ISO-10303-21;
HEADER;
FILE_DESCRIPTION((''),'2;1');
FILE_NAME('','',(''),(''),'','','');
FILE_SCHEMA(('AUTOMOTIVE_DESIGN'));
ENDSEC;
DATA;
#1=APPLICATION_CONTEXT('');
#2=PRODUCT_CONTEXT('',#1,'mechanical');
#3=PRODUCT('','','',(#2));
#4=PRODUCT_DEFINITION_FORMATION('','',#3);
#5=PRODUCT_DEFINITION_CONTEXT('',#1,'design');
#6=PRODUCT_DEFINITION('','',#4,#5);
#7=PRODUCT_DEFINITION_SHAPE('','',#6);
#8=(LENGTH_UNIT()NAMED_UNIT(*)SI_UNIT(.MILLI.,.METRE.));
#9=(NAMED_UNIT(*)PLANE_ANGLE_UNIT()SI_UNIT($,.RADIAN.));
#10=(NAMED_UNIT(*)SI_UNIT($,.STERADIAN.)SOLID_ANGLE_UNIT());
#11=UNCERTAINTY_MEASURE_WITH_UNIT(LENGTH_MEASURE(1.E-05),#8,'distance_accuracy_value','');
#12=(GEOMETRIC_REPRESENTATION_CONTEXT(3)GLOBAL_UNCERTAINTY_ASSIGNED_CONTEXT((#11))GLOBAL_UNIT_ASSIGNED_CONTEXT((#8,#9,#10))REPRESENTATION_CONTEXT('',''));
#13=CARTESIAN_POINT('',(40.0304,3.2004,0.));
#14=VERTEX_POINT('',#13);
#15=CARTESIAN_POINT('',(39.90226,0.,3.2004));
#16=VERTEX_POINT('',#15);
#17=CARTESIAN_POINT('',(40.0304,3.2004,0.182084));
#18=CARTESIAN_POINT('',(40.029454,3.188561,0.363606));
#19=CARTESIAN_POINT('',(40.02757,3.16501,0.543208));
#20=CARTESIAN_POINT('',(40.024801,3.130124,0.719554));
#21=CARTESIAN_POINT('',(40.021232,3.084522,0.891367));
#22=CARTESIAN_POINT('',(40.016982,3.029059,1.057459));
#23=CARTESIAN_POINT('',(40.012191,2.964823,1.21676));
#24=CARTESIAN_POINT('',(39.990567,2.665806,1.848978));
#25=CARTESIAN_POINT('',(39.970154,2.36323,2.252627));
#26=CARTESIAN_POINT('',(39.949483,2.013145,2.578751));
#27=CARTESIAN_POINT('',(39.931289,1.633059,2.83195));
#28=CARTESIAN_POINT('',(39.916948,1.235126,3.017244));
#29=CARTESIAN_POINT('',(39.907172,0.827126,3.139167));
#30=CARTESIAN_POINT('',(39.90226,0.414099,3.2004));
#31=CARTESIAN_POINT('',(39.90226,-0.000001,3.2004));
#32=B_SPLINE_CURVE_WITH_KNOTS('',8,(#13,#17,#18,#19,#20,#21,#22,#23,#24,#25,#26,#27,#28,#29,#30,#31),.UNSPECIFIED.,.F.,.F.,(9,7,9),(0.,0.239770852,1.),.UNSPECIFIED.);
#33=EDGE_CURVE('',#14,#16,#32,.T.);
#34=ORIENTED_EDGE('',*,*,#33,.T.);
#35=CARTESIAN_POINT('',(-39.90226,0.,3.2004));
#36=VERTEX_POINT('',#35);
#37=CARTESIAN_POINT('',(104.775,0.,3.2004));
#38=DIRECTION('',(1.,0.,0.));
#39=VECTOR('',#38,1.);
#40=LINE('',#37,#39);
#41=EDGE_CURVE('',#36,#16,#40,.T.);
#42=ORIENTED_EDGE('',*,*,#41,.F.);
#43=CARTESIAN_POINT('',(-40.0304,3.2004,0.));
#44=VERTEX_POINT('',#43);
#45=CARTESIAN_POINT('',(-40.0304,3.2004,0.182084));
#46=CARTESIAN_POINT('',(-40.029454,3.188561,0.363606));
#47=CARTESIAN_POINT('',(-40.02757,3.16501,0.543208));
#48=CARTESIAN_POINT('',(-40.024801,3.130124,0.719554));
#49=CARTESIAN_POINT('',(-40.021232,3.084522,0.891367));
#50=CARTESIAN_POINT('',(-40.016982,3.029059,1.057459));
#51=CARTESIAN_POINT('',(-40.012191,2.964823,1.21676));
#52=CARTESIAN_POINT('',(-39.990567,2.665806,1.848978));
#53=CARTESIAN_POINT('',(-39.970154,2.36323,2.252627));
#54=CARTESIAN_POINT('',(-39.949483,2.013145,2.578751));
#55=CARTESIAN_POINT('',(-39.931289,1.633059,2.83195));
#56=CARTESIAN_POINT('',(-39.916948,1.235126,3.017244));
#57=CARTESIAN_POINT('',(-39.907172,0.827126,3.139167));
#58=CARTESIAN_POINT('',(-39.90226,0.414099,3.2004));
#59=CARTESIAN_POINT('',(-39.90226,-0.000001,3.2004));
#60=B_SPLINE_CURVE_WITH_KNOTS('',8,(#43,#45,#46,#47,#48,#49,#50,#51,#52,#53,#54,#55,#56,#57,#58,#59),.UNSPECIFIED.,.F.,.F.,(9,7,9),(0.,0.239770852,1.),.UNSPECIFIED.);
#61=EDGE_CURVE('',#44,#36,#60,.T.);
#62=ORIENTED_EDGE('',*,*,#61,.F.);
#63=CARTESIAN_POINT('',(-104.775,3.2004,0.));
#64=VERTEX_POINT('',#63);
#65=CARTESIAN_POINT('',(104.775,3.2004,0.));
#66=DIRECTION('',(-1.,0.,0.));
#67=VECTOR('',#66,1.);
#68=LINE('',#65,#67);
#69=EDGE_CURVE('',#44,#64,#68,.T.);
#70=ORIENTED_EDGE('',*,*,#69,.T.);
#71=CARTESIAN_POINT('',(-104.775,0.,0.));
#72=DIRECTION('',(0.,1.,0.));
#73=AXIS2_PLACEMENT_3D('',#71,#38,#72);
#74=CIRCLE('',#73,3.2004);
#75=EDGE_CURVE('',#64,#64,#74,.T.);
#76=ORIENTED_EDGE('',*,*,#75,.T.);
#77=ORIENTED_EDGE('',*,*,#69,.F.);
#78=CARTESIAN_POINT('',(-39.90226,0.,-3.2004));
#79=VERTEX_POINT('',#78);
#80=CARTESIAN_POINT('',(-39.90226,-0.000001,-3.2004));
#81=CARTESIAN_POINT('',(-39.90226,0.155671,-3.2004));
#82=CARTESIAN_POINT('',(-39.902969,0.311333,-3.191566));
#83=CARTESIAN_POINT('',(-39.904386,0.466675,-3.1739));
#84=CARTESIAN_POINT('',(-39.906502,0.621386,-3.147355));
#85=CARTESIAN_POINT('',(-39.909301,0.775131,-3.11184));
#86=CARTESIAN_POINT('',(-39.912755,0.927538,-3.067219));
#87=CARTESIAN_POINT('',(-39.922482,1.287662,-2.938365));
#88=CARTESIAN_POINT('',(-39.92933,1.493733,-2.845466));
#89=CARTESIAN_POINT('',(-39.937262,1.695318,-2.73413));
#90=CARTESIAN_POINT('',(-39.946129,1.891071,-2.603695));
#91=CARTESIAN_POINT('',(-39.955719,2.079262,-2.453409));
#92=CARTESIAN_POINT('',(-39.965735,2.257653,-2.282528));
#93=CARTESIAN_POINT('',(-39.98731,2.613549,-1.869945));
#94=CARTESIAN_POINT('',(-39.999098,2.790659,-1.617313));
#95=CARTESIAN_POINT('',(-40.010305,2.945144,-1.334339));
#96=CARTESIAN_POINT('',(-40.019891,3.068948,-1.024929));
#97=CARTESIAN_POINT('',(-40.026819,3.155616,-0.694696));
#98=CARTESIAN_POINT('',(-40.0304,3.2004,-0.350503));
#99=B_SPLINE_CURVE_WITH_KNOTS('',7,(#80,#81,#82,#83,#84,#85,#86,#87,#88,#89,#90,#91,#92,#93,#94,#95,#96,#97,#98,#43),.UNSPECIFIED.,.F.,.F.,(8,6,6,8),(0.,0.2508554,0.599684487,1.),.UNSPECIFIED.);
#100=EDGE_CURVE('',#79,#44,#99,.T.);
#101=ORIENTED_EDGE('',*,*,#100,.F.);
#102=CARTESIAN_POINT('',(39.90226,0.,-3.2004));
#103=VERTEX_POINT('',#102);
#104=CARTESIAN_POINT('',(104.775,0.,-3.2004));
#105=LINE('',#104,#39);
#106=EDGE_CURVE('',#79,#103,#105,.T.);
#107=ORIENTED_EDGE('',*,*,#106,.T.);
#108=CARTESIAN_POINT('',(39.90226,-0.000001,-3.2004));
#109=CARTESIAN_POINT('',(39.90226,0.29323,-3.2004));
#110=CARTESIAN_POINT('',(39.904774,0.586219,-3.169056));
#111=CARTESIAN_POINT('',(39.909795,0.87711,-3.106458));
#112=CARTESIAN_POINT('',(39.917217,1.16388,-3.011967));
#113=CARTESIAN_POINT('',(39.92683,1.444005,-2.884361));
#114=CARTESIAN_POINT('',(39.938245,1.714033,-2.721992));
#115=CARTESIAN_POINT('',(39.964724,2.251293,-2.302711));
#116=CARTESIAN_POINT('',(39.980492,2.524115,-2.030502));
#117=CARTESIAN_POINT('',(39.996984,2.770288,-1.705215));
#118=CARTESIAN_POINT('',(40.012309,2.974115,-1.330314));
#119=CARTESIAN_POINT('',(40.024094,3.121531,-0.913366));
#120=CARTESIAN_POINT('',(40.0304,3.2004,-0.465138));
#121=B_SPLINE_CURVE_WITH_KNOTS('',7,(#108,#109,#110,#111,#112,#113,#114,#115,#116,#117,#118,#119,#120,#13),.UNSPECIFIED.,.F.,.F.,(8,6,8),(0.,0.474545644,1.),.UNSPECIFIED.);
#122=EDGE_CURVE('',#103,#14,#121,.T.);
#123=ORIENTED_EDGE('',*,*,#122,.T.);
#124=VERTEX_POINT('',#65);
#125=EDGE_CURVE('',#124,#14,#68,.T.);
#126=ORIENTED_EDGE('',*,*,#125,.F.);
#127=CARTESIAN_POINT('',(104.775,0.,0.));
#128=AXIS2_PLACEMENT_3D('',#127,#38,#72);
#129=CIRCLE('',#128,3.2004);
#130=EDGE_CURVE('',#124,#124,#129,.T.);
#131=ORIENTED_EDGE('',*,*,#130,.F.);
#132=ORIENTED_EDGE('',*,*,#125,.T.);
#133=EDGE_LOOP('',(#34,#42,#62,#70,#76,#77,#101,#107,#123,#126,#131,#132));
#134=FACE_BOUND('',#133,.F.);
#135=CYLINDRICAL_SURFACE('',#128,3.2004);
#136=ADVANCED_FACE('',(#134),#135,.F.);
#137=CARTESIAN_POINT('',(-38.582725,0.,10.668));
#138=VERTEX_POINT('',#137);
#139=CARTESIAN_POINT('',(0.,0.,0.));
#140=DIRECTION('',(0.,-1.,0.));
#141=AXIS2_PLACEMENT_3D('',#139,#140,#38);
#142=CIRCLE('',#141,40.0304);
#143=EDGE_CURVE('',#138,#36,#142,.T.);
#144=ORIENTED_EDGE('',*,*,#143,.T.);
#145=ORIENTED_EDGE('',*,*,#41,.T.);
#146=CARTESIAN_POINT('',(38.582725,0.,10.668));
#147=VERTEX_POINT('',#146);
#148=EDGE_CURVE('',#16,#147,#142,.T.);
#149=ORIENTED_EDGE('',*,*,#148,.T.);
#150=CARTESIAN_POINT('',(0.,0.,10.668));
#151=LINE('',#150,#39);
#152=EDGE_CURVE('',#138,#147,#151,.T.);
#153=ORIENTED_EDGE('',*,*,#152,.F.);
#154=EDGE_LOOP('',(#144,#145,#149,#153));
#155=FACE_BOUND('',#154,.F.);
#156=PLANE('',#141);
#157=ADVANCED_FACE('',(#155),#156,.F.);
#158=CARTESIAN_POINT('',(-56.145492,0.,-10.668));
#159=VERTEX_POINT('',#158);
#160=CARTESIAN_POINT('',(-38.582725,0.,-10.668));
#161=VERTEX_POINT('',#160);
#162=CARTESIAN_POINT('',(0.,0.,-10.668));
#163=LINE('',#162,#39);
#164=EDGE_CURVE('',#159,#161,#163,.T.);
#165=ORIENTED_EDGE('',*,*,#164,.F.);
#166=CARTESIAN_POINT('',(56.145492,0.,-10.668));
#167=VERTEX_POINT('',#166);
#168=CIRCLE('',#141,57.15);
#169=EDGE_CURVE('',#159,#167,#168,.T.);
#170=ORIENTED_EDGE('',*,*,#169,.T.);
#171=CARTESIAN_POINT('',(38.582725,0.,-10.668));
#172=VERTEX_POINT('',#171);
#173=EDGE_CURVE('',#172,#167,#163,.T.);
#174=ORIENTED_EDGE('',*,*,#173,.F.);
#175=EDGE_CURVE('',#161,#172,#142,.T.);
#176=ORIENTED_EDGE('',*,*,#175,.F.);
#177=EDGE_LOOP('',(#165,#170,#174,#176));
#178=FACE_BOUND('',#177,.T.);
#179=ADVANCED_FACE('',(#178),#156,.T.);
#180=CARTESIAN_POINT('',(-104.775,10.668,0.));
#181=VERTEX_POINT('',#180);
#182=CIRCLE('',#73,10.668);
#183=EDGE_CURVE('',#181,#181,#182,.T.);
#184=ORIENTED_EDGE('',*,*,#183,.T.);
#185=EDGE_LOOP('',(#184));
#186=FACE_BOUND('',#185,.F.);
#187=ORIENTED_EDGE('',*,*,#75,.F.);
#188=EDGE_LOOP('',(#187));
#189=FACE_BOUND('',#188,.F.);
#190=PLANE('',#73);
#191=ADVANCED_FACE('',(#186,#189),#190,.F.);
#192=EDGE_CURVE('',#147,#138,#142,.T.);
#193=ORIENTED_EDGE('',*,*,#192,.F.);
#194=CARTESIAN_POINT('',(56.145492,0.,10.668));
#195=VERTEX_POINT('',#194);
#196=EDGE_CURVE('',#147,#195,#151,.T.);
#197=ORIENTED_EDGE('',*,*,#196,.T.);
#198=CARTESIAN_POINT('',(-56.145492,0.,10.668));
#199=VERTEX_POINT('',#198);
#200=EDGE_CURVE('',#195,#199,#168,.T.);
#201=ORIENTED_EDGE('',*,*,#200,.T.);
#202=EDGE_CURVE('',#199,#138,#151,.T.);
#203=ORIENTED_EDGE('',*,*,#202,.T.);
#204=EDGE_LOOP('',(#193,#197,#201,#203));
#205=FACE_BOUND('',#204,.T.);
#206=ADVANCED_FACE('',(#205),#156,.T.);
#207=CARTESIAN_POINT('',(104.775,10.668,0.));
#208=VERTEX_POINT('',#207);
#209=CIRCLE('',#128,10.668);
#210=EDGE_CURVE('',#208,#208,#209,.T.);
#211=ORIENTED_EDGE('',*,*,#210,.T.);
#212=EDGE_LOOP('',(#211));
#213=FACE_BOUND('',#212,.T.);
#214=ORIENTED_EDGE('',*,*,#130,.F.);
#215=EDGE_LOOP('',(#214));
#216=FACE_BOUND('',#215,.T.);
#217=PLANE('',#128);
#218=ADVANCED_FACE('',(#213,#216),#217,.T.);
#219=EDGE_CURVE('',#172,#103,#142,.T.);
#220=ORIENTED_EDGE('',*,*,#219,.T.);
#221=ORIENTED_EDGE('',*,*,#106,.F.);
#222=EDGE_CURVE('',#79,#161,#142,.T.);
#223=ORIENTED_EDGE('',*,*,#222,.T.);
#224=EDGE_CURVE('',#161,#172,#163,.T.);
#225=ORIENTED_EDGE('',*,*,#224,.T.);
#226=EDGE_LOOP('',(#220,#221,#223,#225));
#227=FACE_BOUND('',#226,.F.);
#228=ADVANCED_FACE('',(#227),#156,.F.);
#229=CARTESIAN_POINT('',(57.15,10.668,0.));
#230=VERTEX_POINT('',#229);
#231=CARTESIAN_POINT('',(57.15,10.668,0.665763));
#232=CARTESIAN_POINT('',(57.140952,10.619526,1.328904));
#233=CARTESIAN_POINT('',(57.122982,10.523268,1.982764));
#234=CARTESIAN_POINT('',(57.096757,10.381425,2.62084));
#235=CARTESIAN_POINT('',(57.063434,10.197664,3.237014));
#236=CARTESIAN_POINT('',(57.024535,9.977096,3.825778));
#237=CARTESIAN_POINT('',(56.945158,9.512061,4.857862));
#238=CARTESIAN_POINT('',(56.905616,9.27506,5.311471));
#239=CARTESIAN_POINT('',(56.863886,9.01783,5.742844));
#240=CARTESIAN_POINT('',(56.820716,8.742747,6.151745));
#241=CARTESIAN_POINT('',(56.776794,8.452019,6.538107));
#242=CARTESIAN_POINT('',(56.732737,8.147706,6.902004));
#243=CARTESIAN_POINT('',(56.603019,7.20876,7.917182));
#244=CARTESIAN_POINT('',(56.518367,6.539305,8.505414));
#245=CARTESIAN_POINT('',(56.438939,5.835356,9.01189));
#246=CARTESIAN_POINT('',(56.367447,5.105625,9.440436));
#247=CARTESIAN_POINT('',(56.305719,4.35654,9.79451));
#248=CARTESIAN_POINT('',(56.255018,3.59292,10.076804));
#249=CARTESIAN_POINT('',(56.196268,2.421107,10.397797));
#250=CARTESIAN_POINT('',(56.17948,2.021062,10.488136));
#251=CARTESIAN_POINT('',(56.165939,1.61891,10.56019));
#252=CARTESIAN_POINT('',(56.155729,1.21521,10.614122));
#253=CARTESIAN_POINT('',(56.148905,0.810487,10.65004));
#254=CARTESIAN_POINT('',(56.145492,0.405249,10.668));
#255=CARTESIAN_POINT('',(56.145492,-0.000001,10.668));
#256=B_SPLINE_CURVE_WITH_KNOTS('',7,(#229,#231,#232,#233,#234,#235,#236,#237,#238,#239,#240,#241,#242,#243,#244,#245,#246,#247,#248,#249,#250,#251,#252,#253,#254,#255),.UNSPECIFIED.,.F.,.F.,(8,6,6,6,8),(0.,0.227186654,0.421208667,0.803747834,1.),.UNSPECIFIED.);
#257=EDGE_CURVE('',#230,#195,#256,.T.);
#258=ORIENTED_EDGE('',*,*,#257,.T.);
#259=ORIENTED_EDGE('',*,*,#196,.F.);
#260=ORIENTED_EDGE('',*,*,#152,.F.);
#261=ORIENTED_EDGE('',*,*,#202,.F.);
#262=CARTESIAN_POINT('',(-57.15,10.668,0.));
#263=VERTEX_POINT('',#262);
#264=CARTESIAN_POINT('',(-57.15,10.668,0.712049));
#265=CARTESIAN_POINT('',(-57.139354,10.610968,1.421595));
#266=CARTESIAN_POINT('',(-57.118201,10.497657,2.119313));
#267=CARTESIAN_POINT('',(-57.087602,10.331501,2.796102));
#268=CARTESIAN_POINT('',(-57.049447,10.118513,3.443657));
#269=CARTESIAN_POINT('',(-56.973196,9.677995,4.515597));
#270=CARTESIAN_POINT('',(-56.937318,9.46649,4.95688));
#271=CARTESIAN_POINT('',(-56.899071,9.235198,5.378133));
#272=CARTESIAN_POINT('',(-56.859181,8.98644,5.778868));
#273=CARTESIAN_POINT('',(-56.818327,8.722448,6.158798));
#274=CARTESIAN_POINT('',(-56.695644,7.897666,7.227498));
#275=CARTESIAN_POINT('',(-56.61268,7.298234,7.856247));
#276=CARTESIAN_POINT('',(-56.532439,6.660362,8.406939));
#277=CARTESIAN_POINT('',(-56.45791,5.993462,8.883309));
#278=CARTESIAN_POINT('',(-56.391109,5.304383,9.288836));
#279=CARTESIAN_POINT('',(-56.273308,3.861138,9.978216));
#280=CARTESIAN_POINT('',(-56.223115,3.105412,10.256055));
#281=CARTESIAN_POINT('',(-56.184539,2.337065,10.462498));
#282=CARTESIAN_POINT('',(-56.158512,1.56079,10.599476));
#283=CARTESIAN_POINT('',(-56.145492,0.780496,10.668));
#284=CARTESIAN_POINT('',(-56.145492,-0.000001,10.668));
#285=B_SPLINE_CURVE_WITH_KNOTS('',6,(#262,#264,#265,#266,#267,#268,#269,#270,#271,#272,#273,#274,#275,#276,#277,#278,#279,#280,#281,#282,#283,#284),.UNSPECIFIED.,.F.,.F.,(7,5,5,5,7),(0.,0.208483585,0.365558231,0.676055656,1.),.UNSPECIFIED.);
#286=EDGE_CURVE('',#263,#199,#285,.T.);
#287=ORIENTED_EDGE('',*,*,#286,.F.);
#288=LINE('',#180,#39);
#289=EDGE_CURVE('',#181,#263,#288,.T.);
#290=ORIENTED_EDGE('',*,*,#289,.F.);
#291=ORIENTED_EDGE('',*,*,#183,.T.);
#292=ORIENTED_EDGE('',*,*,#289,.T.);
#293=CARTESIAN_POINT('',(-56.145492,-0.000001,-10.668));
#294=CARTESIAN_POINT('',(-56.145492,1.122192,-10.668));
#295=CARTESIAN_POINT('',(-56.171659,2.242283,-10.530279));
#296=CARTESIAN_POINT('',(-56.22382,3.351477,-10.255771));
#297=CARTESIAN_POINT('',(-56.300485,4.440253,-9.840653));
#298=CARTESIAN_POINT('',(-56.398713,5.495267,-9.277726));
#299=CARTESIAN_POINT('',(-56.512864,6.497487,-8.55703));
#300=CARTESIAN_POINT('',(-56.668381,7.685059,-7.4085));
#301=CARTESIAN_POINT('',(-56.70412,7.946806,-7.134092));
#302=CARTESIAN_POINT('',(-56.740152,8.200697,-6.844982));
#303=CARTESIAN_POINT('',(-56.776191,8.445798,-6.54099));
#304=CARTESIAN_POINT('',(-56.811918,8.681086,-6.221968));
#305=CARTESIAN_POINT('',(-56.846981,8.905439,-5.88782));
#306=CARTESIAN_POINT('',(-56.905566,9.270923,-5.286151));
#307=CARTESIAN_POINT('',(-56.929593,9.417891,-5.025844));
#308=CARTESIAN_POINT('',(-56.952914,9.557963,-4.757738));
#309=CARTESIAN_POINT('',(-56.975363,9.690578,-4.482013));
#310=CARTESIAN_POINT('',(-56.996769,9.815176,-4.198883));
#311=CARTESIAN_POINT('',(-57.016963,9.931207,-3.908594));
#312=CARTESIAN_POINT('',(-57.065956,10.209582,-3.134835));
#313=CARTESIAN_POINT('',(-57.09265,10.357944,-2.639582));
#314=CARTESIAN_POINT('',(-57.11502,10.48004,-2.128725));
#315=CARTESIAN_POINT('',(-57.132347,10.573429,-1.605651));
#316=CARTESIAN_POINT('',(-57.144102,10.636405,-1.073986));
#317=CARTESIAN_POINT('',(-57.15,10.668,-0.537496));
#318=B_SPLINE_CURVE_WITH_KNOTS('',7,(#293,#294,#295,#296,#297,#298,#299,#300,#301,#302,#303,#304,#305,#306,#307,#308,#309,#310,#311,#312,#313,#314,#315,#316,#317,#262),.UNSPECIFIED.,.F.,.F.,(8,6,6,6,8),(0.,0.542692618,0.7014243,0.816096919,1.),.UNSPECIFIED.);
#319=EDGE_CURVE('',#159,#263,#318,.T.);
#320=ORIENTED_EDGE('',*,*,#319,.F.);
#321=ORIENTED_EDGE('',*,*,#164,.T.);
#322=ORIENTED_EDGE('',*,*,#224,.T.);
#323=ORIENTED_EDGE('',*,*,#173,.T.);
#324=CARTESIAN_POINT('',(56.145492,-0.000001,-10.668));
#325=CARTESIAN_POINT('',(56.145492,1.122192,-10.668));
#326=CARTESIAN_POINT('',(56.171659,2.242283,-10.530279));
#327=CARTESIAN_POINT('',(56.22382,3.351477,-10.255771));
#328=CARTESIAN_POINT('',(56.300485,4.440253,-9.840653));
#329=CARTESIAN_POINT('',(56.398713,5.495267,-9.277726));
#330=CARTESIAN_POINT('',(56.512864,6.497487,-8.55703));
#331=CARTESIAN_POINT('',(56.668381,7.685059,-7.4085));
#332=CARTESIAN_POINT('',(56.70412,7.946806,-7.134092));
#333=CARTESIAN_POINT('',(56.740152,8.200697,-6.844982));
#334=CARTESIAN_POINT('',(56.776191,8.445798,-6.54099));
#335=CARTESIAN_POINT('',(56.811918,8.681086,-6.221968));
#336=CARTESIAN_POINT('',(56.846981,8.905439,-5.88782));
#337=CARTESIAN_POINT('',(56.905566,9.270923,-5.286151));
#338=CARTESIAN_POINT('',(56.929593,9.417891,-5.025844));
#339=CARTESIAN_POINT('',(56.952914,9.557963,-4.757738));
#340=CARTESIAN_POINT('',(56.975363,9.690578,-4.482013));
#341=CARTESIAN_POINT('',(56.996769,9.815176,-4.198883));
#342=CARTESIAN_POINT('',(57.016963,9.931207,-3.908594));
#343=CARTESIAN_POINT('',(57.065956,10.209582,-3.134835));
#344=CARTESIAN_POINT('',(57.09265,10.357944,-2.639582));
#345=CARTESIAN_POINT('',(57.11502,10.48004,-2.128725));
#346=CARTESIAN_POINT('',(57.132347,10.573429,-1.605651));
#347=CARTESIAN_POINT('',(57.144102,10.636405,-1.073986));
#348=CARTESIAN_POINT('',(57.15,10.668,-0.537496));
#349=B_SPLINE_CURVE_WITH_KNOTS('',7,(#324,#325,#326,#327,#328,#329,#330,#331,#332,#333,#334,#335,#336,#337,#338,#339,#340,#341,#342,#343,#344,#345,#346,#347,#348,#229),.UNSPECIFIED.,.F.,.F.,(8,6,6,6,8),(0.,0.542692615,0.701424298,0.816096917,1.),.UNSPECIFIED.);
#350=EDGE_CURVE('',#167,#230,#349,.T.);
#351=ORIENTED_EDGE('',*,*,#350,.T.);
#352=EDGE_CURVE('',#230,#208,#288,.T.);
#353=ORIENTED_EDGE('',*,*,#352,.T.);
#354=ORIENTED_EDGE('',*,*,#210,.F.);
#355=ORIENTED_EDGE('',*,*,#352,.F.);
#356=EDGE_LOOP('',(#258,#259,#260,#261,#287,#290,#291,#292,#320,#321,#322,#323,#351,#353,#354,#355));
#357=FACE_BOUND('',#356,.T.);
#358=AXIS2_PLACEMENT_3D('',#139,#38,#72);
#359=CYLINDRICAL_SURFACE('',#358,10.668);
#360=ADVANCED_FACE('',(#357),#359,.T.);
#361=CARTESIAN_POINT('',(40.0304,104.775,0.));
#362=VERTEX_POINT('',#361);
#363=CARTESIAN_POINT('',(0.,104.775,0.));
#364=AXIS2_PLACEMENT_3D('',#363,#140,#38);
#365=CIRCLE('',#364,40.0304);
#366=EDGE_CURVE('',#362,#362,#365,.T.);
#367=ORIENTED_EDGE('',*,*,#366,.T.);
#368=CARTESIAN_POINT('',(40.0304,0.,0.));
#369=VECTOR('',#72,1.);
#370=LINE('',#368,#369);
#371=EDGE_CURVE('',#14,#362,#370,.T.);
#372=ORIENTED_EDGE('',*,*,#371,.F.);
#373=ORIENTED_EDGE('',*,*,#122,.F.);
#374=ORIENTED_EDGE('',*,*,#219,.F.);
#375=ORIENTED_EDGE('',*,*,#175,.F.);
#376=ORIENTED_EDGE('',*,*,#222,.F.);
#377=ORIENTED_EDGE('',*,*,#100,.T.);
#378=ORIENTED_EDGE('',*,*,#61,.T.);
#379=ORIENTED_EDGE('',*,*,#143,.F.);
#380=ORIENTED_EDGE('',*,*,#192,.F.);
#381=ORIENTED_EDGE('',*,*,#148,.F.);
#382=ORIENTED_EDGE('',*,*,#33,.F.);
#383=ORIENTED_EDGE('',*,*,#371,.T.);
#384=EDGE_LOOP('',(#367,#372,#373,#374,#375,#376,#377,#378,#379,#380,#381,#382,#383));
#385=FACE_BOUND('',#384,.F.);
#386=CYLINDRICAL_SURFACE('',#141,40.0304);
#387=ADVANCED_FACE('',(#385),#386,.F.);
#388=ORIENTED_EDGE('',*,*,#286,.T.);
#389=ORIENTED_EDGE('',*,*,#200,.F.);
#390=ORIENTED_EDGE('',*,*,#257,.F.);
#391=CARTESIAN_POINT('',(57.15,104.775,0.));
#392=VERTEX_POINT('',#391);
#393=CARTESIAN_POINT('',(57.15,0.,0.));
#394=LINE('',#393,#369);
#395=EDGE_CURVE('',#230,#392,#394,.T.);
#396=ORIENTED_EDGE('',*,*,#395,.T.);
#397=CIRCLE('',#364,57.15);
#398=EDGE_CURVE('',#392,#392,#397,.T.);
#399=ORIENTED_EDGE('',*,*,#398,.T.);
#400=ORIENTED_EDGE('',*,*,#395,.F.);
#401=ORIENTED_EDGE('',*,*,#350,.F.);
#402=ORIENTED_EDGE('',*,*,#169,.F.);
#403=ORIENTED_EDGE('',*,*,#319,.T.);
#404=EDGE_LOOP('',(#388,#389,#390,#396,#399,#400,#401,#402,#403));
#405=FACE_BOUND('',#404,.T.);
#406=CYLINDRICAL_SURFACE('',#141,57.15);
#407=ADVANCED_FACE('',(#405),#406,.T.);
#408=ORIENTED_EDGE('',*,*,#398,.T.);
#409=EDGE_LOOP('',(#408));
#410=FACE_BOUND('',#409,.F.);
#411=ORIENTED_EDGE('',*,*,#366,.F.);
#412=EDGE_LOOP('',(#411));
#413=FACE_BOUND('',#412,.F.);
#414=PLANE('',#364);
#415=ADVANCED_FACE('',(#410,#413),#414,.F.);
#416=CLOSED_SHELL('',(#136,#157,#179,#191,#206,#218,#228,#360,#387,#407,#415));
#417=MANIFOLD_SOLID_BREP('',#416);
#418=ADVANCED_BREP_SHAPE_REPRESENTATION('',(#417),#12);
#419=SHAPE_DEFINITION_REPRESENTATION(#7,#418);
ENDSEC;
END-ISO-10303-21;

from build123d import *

# Parameters (mm, degrees)
F2_R          = 10.668
F3_DEPTH      = 104.775
F3_DEPTH_BACK = 104.775
F0_R          = 57.15
F4_DEPTH      = 104.775
F5_R          = 3.2004
F6_DEPTH      = 209.551
F1_R          = 40.0304
F7_DEPTH      = 104.776


with BuildPart() as f3:
    # F2 (on Right) → F3 (new body, two sides)
    with BuildSketch(Plane.YZ) as f3_sk:
        Circle(F2_R)
    extrude(amount=F3_DEPTH)
    extrude(f3_sk.sketch, amount=-F3_DEPTH_BACK)

    # F0 (on Front) → F4 (join)
    with BuildSketch(Plane.XZ):
        Circle(F0_R)
    extrude(amount=-F4_DEPTH)

    # F5 (on face) → F6 (cut, through all)
    with BuildSketch(Plane.YZ.offset(104.775)):
        Circle(F5_R)
    extrude(amount=-F6_DEPTH, mode=Mode.SUBTRACT)

    # F1 (on Front) → F7 (cut, through all)
    with BuildSketch(Plane.XZ):
        Circle(F1_R)
    extrude(amount=-F7_DEPTH, mode=Mode.SUBTRACT)


solid = f3.part
